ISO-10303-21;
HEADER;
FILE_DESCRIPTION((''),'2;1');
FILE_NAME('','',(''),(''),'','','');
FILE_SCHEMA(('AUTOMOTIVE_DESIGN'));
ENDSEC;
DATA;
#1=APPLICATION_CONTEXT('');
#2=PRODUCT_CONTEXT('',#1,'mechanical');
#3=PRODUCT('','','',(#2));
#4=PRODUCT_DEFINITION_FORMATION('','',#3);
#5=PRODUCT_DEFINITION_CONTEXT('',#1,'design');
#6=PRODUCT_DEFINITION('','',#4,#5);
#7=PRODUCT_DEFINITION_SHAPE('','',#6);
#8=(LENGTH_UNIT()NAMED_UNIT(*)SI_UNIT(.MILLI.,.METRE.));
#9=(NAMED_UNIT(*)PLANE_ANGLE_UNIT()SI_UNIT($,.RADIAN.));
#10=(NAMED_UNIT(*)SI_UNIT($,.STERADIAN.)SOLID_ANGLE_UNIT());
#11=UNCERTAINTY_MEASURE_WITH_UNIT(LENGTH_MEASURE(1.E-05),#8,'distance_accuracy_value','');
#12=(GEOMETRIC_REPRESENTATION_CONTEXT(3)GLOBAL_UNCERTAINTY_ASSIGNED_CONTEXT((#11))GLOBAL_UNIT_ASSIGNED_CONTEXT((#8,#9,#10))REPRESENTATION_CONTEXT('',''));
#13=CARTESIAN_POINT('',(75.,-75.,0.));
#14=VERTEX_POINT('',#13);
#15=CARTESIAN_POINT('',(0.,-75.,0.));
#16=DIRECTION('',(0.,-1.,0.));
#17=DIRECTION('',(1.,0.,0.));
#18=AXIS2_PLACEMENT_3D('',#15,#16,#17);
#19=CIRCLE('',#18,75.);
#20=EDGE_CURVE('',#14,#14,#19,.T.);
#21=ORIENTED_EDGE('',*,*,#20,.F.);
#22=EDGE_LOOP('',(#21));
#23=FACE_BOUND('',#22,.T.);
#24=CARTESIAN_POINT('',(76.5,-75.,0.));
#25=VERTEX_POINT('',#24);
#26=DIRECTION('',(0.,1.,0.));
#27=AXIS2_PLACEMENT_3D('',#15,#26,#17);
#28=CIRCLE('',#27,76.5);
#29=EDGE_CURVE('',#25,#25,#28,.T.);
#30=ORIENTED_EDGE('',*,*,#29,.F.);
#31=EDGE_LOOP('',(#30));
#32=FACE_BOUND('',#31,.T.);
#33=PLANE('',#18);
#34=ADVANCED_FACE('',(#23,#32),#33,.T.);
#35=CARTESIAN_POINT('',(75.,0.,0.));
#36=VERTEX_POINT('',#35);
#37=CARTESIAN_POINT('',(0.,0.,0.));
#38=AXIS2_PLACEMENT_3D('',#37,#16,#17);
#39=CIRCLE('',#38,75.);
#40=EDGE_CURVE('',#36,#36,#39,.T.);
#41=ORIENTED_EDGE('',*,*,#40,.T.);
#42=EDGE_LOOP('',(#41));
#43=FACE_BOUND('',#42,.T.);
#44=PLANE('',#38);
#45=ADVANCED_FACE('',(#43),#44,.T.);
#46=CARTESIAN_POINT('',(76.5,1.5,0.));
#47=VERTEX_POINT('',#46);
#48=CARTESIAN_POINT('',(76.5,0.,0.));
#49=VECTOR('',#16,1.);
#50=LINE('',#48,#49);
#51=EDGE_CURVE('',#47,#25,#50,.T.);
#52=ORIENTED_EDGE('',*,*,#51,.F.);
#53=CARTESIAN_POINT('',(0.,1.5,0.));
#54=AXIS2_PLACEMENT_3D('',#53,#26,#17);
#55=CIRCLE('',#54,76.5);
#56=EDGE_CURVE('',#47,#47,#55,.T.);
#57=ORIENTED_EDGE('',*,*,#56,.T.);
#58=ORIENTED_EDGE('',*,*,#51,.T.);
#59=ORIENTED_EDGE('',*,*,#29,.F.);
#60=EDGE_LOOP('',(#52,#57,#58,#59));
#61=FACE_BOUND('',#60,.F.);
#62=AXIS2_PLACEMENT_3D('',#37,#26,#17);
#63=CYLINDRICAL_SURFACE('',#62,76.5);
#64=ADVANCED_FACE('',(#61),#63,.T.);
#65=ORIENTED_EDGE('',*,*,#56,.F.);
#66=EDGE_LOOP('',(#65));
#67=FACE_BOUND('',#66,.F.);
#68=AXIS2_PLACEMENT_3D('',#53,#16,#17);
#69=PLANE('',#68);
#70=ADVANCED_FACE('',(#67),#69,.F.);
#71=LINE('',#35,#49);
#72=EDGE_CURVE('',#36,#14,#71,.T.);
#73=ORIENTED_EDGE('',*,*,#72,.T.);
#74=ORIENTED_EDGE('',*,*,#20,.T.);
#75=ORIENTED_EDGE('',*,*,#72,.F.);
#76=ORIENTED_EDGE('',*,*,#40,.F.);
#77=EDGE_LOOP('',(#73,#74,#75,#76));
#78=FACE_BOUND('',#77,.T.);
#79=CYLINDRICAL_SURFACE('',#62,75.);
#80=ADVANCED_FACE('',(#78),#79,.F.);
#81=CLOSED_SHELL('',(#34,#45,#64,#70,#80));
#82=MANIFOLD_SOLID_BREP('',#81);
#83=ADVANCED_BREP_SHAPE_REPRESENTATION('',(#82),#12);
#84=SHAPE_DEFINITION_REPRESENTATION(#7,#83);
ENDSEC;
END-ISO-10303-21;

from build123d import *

# Parameters (mm, degrees)
F0_R     = 75
F1_DEPTH = 75
F2_T     = 1.5


with BuildPart() as f1:
    # F0 (on Front) → F1 (new body)
    with BuildSketch(Plane.XZ):
        Circle(F0_R)
    extrude(amount=F1_DEPTH)

    # F2
    f2_openings = [f1.faces().sort_by_distance(p)[0] for p in [
        (0, -75, 0),
    ]]
    offset(amount=F2_T, openings=f2_openings, kind=Kind.INTERSECTION)


solid = f1.part
